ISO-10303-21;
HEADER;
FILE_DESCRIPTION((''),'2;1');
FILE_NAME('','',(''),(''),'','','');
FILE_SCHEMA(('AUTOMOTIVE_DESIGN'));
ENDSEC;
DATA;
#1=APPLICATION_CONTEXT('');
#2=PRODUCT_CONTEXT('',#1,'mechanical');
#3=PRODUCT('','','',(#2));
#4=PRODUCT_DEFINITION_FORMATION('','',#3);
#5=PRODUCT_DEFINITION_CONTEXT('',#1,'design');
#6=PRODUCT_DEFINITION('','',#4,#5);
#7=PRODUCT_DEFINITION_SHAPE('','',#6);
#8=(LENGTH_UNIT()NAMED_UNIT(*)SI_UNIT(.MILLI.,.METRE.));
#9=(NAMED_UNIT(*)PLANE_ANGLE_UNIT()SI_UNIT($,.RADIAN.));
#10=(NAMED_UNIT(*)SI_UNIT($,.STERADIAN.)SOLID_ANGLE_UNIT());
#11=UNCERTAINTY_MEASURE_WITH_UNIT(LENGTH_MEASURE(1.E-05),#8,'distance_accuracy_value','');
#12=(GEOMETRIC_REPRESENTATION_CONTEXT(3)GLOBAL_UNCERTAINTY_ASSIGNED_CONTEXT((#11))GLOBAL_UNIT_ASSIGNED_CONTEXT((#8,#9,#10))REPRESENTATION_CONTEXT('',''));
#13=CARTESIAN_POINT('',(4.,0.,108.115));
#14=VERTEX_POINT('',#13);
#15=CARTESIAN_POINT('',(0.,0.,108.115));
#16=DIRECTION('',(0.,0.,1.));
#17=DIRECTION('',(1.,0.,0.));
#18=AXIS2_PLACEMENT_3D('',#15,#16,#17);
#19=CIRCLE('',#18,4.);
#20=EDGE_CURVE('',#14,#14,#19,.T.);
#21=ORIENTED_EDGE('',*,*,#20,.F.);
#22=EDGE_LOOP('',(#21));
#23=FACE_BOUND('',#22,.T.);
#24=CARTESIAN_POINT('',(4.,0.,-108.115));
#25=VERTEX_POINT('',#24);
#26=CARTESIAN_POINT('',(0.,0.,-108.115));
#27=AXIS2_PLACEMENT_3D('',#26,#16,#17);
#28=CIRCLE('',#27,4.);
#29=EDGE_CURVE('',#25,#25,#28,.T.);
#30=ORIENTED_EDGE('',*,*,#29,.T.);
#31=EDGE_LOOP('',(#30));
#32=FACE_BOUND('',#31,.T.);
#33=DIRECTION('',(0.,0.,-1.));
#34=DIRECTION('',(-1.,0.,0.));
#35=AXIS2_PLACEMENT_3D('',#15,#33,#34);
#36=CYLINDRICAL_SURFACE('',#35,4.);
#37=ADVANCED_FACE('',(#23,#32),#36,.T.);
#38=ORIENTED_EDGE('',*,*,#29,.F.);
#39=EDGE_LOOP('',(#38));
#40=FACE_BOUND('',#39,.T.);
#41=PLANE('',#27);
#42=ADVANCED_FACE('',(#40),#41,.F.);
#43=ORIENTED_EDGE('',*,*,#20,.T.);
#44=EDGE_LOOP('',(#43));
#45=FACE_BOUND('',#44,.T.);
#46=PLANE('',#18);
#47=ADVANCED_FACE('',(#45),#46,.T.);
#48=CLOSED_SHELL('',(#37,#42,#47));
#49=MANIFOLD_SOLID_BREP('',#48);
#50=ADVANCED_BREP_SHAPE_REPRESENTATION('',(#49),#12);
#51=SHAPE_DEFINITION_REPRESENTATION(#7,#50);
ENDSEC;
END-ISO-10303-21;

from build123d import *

# Parameters (mm, degrees)
ESBO_O1_R                = 4
RESSALTO_EXTRUS_O1_DEPTH = 108.115


with BuildPart() as part:
    # Esboço1 → Ressalto-extrusão1 (new body, symmetric)
    with BuildSketch(Plane.XY):
        Circle(ESBO_O1_R)
    extrude(amount=RESSALTO_EXTRUS_O1_DEPTH, both=True)


solid = part.part
